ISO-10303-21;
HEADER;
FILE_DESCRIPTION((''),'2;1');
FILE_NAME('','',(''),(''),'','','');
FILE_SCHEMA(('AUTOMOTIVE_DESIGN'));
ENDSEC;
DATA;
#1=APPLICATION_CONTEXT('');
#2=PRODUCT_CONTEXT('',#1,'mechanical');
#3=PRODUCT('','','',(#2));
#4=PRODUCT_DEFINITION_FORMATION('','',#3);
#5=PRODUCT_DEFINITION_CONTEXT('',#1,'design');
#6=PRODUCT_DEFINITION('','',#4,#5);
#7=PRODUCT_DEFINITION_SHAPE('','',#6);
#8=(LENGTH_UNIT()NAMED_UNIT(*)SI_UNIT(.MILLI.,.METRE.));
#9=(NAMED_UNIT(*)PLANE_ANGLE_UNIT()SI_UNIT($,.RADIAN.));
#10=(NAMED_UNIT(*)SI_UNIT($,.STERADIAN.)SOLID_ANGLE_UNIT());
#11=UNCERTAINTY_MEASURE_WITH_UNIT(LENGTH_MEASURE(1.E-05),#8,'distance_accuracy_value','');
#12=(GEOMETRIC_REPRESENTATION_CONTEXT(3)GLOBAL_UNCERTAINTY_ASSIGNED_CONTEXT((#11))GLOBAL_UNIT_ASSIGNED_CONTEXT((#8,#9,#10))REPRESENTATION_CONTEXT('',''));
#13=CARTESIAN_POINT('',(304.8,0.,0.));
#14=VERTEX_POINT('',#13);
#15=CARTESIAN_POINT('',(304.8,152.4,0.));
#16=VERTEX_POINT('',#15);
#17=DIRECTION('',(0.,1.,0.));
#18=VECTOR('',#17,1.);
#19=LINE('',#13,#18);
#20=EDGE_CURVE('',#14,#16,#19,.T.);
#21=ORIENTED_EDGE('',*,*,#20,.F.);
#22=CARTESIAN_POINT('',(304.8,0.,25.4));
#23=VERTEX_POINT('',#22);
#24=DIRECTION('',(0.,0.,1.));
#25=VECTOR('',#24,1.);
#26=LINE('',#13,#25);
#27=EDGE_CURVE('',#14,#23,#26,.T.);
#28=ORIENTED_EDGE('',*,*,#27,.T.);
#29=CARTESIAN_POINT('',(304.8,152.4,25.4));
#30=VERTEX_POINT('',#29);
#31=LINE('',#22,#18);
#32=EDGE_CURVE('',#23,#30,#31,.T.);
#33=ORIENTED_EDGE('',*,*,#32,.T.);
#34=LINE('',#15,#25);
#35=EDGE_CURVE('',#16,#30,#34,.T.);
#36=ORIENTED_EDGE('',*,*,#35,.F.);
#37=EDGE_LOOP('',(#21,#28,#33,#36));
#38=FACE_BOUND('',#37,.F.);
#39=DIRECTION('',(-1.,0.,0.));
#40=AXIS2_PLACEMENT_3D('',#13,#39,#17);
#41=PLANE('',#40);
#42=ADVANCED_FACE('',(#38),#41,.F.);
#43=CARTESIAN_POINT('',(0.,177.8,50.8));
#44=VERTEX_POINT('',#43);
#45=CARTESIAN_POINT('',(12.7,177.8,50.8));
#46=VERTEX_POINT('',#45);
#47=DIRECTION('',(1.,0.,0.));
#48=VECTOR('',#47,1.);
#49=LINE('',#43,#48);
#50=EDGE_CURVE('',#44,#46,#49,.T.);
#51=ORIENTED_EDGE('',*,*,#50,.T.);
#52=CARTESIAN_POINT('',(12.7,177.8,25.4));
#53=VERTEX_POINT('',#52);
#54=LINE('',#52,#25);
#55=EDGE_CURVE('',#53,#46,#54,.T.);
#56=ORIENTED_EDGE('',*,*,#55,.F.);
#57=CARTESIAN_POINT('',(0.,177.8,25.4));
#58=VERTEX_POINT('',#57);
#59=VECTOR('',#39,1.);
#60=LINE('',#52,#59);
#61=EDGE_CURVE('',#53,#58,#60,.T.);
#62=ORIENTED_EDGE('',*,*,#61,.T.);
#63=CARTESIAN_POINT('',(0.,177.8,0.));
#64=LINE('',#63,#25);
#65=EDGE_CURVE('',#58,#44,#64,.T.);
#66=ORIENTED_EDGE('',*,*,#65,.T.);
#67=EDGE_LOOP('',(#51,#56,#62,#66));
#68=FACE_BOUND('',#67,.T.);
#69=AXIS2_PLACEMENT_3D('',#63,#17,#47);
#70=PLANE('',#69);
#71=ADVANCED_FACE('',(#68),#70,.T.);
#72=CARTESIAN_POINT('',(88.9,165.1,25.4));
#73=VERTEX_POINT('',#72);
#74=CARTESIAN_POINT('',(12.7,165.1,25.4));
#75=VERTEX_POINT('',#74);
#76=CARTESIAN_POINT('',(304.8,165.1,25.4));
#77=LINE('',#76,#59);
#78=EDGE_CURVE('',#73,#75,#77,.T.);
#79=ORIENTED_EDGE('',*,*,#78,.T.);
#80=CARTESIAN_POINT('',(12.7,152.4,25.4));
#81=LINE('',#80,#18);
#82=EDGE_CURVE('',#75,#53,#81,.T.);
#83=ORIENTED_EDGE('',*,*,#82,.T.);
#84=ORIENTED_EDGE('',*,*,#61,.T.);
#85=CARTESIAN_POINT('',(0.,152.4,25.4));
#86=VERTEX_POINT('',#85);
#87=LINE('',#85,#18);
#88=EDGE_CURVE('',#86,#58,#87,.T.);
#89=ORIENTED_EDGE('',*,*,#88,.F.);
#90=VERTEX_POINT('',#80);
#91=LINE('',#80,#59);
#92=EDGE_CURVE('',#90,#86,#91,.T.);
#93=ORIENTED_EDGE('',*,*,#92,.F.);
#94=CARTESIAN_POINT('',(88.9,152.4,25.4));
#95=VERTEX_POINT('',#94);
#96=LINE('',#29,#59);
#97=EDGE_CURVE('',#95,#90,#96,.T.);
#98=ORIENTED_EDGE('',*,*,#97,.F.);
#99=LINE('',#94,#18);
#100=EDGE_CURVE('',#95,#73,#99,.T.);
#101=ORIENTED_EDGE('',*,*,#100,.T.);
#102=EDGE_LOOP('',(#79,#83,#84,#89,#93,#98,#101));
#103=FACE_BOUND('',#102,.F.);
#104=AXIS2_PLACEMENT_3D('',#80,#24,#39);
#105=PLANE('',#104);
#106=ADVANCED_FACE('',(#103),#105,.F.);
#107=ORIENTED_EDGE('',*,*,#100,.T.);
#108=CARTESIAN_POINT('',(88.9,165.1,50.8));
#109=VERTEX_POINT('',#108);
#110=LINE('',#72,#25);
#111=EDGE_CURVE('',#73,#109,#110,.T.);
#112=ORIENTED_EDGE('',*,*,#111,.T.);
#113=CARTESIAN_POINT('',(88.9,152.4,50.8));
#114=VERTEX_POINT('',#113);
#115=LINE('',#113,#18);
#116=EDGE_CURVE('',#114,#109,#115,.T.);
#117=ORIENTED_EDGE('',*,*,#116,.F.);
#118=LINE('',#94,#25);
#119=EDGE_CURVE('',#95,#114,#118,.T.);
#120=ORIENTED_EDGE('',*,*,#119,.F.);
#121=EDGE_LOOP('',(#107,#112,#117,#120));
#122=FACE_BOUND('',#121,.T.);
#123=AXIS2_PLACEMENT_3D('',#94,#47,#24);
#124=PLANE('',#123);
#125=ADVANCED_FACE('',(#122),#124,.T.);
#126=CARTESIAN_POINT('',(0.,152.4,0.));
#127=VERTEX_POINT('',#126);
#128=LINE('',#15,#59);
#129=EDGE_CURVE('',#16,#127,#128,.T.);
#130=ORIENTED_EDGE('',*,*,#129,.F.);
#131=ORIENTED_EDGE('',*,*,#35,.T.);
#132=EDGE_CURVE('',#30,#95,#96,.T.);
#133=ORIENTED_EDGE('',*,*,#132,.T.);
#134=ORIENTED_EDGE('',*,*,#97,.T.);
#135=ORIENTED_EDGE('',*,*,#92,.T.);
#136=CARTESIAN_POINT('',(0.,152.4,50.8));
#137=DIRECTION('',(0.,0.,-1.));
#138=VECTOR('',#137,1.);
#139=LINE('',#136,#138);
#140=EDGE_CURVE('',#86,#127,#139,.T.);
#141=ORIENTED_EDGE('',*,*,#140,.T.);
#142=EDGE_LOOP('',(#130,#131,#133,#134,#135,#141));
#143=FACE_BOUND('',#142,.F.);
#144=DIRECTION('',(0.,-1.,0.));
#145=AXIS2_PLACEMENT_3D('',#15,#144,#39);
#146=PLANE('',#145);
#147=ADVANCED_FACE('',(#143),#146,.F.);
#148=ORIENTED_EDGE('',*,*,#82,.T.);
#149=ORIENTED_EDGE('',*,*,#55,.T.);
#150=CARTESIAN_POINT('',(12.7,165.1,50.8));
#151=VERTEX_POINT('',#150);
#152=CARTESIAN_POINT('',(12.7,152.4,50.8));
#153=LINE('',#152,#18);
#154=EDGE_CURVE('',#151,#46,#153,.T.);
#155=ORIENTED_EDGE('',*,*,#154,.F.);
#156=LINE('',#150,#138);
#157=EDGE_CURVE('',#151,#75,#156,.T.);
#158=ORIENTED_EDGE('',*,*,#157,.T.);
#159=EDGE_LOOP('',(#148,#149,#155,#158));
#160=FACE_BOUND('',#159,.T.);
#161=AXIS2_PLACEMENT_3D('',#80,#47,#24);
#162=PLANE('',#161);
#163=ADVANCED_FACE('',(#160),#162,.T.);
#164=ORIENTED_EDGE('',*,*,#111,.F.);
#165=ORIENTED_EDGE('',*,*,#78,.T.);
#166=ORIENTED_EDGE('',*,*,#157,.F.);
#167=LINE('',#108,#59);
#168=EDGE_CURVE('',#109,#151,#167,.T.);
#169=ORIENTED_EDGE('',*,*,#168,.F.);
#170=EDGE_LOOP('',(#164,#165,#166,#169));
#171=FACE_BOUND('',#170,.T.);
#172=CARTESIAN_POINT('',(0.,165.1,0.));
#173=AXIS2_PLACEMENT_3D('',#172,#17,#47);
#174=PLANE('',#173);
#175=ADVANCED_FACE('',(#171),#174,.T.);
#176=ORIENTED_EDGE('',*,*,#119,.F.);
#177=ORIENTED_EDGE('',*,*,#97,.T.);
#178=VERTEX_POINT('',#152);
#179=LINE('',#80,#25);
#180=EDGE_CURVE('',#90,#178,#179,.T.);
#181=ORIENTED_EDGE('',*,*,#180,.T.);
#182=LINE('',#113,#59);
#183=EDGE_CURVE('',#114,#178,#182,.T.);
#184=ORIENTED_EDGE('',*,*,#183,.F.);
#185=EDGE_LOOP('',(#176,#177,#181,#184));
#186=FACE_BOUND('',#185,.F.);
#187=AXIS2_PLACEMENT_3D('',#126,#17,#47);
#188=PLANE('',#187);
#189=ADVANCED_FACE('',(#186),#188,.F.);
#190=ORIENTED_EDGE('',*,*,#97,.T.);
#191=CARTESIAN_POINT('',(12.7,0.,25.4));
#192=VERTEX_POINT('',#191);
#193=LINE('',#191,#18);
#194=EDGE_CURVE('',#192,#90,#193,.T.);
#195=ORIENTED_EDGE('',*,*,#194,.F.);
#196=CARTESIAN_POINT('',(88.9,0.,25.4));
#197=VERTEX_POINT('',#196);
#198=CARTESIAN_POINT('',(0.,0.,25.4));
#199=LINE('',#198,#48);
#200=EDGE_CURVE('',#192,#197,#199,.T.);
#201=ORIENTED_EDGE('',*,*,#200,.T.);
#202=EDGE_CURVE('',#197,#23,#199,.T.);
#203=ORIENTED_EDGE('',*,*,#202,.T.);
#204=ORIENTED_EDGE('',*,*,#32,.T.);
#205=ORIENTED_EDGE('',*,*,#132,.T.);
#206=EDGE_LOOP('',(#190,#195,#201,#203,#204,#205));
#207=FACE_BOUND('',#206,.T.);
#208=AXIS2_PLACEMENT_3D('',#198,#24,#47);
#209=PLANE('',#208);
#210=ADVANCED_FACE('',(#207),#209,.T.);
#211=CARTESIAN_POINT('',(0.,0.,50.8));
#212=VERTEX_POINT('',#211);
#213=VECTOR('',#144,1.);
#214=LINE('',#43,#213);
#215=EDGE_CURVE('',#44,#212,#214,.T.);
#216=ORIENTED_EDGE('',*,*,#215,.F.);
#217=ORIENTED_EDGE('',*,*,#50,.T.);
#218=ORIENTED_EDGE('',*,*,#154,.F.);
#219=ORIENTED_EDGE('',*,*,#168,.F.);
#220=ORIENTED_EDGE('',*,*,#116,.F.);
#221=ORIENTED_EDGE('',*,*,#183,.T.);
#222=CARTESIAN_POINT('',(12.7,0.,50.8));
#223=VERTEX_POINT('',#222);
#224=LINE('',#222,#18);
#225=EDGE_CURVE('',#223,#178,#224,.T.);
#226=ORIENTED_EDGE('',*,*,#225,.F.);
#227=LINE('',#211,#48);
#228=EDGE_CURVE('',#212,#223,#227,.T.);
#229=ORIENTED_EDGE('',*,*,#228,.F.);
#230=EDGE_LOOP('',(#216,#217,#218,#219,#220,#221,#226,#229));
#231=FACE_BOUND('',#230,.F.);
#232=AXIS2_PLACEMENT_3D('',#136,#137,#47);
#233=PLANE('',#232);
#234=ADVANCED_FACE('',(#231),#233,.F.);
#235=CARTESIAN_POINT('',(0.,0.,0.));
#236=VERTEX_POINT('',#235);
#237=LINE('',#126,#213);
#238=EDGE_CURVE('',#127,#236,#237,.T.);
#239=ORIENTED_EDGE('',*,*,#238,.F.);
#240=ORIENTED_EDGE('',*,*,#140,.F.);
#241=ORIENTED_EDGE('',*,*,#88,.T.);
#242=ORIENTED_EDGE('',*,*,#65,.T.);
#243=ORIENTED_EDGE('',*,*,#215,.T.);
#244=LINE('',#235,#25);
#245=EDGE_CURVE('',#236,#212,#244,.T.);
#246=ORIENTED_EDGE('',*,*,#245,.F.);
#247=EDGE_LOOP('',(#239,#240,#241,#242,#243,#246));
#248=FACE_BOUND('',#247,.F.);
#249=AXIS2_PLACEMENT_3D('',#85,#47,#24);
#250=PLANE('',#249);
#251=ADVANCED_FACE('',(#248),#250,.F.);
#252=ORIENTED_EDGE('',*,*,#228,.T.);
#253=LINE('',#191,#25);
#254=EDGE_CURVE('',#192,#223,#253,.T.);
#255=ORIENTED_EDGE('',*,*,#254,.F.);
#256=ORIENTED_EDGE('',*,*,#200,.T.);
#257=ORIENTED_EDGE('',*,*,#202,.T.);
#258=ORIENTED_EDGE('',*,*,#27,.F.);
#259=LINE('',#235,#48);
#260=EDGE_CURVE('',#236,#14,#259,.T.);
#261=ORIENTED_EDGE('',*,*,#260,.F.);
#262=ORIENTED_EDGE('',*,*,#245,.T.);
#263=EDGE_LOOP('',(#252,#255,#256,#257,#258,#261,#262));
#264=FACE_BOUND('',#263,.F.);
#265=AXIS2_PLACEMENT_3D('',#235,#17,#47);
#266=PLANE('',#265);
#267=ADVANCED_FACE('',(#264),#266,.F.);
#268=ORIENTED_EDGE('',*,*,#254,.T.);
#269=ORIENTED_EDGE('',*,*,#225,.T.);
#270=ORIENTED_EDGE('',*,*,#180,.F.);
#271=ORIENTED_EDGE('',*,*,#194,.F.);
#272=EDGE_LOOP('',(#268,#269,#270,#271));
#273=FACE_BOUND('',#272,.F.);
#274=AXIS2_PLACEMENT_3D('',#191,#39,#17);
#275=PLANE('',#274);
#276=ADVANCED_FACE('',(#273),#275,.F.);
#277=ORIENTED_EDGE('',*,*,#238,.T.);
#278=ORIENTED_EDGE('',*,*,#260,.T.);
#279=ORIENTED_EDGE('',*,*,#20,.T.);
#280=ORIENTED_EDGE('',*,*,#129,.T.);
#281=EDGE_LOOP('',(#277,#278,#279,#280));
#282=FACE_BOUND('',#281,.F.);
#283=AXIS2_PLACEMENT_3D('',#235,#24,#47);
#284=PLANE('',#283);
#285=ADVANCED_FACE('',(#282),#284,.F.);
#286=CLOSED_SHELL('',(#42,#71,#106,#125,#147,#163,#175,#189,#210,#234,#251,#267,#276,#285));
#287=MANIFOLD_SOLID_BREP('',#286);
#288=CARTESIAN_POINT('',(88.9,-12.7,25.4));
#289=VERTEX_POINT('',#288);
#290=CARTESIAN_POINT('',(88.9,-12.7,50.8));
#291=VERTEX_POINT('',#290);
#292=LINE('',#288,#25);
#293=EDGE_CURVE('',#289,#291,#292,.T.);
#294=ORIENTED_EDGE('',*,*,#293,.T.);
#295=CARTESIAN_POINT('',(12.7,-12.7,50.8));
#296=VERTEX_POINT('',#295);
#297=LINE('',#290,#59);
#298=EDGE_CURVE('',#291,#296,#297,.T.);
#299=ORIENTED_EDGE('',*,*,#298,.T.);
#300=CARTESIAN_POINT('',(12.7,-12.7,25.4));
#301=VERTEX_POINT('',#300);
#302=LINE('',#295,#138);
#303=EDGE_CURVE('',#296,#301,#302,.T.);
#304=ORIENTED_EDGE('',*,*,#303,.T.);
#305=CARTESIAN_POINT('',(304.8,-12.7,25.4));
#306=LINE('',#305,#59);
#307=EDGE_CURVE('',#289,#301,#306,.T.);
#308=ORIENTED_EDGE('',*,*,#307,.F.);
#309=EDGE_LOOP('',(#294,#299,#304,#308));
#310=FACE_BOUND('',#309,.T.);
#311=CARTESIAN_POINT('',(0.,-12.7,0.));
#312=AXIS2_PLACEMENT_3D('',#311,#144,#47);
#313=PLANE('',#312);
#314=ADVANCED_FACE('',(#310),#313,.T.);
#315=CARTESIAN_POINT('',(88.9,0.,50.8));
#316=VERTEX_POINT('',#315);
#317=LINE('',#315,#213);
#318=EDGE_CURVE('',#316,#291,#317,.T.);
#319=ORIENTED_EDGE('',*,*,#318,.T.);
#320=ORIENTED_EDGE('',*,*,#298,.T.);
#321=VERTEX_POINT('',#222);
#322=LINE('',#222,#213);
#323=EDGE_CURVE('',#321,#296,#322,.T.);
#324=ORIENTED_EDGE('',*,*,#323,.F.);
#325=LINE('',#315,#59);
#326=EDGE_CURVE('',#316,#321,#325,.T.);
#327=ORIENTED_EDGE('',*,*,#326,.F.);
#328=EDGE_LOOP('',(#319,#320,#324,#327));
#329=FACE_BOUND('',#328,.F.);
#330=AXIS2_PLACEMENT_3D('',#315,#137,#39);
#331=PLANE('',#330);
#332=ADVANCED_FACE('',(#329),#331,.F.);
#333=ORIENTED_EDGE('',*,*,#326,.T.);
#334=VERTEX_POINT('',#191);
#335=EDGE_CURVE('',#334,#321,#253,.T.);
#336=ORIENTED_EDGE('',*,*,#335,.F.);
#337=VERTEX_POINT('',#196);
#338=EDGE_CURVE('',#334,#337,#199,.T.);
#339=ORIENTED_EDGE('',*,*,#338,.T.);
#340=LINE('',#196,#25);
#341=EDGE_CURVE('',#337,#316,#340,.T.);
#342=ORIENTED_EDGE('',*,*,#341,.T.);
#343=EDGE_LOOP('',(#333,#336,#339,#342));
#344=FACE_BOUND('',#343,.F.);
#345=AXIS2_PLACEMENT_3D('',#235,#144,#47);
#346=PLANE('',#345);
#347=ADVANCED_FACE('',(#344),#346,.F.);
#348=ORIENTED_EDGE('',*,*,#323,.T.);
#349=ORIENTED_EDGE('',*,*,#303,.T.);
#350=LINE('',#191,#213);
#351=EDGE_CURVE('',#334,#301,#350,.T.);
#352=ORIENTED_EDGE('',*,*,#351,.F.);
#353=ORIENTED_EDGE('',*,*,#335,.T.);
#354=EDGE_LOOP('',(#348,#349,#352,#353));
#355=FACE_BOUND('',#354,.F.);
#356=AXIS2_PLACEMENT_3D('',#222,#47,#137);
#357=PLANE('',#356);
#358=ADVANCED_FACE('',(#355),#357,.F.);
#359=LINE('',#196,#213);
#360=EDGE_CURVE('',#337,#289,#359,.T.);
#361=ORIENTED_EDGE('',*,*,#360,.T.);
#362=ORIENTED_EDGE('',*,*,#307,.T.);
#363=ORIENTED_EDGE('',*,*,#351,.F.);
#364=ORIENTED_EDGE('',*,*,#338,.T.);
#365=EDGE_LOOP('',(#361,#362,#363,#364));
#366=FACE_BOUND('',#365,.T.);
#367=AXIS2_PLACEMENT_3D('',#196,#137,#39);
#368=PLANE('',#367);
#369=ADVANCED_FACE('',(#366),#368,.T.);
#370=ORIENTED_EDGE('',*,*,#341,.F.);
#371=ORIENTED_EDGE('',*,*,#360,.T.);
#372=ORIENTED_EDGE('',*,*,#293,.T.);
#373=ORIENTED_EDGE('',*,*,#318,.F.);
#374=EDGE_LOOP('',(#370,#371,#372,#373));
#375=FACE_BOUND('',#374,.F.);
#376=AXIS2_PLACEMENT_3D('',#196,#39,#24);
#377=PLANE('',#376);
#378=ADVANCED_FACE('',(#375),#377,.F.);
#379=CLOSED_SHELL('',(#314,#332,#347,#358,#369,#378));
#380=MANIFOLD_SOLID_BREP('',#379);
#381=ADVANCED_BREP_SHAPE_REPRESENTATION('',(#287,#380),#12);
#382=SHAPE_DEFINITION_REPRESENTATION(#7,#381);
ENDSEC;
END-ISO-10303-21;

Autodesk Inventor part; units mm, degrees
ref_plane "YZ Plane" through (0, 0, 0) normal (1, 0, 0) x (0, 1, 0)
ref_plane "XZ Plane" through (0, 0, 0) normal (0, 1, 0) x (-1, 0, 0)
ref_plane "XY Plane" through (0, 0, 0) normal (0, 0, 1) x (1, 0, 0)
sketch "Sketch1" plane through (0, 0, 0) normal (0, 0, 1) x (1, 0, 0)
  line L0 (0, 0) -> (304.8, 0)
  line L1 (304.8, 0) -> (304.8, 152.4)
  line L2 (304.8, 152.4) -> (0, 152.4)
  line L3 (0, 152.4) -> (0, 0)
  dimension "d0" = 304.8
  dimension "d1" = 152.4
extrude "Extrusion1" add sketch "Sketch1" along normal blind 25.4
sketch "Sketch2" plane through (0, 0, 25.4) normal (0, 0, 1) x (1, 0, 0)
  line L0 (0, 0) -> (304.8, 0) projected
  line L1 (304.8, 152.4) -> (0, 152.4) projected
  line L2 (0, 0) -> (12.7, 0)
  line L3 (12.7, 0) -> (12.7, 152.4)
  line L4 (12.7, 152.4) -> (0, 152.4)
  line L5 (0, 152.4) -> (0, 0)
  dimension "d4" = 12.7
extrude "Extrusion2" add sketch "Sketch2" along normal blind 25.4
sketch "Sketch3" plane through (0, 0, 0) normal (0, -1, 0) x (1, 0, 0)
  line L0 (304.8, 25.4) -> (12.7, 25.4) projected
  line L1 (12.7, 25.4) -> (88.9, 25.4)
  line L2 (88.9, 25.4) -> (88.9, 50.8)
  line L3 (88.9, 50.8) -> (12.7, 50.8)
  line L4 (12.7, 50.8) -> (12.7, 25.4)
  point P0 (0, 0)
  dimension "d7" = 76.2
sketch "Sketch4" plane through (0, 152.4, 0) normal (0, 1, 0) x (1, 0, 0)
  line L0 (304.8, -25.4) -> (12.7, -25.4) projected
  line L1 (12.7, -25.4) -> (88.9, -25.4)
  line L2 (88.9, -25.4) -> (88.9, -50.8)
  line L3 (88.9, -50.8) -> (12.7, -50.8)
  line L4 (12.7, -50.8) -> (12.7, -25.4)
  point P0 (0, 0)
  dimension "d8" = 76.2
extrude "Extrusion3" add sketch "Sketch4" along normal blind 12.7
extrude "Extrusion4" add sketch "Sketch3" along normal blind 12.7
sketch "Sketch5" plane through (12.7, 152.4, 25.4) normal (-1, 0, 0) x (0, 0, 1)
  point P0 (-25.4, -152.4)
sketch "Sketch6" plane through (0, 152.4, 0) normal (0, 1, 0) x (1, 0, 0)
  line L0 (12.7, -25.4) -> (12.7, -50.8) projected
  line L1 (0, 0) -> (0, -50.8) projected
  line L2 (12.7, -25.4) -> (0, -25.4)
  line L3 (0, -25.4) -> (0, -50.8)
  line L4 (0, -50.8) -> (12.7, -50.8)
  line L5 (12.7, -50.8) -> (12.7, -25.4)
extrude "Extrusion5" add sketch "Sketch6" along normal blind 25.4
properties part number "BackLiftProtoPart4"
